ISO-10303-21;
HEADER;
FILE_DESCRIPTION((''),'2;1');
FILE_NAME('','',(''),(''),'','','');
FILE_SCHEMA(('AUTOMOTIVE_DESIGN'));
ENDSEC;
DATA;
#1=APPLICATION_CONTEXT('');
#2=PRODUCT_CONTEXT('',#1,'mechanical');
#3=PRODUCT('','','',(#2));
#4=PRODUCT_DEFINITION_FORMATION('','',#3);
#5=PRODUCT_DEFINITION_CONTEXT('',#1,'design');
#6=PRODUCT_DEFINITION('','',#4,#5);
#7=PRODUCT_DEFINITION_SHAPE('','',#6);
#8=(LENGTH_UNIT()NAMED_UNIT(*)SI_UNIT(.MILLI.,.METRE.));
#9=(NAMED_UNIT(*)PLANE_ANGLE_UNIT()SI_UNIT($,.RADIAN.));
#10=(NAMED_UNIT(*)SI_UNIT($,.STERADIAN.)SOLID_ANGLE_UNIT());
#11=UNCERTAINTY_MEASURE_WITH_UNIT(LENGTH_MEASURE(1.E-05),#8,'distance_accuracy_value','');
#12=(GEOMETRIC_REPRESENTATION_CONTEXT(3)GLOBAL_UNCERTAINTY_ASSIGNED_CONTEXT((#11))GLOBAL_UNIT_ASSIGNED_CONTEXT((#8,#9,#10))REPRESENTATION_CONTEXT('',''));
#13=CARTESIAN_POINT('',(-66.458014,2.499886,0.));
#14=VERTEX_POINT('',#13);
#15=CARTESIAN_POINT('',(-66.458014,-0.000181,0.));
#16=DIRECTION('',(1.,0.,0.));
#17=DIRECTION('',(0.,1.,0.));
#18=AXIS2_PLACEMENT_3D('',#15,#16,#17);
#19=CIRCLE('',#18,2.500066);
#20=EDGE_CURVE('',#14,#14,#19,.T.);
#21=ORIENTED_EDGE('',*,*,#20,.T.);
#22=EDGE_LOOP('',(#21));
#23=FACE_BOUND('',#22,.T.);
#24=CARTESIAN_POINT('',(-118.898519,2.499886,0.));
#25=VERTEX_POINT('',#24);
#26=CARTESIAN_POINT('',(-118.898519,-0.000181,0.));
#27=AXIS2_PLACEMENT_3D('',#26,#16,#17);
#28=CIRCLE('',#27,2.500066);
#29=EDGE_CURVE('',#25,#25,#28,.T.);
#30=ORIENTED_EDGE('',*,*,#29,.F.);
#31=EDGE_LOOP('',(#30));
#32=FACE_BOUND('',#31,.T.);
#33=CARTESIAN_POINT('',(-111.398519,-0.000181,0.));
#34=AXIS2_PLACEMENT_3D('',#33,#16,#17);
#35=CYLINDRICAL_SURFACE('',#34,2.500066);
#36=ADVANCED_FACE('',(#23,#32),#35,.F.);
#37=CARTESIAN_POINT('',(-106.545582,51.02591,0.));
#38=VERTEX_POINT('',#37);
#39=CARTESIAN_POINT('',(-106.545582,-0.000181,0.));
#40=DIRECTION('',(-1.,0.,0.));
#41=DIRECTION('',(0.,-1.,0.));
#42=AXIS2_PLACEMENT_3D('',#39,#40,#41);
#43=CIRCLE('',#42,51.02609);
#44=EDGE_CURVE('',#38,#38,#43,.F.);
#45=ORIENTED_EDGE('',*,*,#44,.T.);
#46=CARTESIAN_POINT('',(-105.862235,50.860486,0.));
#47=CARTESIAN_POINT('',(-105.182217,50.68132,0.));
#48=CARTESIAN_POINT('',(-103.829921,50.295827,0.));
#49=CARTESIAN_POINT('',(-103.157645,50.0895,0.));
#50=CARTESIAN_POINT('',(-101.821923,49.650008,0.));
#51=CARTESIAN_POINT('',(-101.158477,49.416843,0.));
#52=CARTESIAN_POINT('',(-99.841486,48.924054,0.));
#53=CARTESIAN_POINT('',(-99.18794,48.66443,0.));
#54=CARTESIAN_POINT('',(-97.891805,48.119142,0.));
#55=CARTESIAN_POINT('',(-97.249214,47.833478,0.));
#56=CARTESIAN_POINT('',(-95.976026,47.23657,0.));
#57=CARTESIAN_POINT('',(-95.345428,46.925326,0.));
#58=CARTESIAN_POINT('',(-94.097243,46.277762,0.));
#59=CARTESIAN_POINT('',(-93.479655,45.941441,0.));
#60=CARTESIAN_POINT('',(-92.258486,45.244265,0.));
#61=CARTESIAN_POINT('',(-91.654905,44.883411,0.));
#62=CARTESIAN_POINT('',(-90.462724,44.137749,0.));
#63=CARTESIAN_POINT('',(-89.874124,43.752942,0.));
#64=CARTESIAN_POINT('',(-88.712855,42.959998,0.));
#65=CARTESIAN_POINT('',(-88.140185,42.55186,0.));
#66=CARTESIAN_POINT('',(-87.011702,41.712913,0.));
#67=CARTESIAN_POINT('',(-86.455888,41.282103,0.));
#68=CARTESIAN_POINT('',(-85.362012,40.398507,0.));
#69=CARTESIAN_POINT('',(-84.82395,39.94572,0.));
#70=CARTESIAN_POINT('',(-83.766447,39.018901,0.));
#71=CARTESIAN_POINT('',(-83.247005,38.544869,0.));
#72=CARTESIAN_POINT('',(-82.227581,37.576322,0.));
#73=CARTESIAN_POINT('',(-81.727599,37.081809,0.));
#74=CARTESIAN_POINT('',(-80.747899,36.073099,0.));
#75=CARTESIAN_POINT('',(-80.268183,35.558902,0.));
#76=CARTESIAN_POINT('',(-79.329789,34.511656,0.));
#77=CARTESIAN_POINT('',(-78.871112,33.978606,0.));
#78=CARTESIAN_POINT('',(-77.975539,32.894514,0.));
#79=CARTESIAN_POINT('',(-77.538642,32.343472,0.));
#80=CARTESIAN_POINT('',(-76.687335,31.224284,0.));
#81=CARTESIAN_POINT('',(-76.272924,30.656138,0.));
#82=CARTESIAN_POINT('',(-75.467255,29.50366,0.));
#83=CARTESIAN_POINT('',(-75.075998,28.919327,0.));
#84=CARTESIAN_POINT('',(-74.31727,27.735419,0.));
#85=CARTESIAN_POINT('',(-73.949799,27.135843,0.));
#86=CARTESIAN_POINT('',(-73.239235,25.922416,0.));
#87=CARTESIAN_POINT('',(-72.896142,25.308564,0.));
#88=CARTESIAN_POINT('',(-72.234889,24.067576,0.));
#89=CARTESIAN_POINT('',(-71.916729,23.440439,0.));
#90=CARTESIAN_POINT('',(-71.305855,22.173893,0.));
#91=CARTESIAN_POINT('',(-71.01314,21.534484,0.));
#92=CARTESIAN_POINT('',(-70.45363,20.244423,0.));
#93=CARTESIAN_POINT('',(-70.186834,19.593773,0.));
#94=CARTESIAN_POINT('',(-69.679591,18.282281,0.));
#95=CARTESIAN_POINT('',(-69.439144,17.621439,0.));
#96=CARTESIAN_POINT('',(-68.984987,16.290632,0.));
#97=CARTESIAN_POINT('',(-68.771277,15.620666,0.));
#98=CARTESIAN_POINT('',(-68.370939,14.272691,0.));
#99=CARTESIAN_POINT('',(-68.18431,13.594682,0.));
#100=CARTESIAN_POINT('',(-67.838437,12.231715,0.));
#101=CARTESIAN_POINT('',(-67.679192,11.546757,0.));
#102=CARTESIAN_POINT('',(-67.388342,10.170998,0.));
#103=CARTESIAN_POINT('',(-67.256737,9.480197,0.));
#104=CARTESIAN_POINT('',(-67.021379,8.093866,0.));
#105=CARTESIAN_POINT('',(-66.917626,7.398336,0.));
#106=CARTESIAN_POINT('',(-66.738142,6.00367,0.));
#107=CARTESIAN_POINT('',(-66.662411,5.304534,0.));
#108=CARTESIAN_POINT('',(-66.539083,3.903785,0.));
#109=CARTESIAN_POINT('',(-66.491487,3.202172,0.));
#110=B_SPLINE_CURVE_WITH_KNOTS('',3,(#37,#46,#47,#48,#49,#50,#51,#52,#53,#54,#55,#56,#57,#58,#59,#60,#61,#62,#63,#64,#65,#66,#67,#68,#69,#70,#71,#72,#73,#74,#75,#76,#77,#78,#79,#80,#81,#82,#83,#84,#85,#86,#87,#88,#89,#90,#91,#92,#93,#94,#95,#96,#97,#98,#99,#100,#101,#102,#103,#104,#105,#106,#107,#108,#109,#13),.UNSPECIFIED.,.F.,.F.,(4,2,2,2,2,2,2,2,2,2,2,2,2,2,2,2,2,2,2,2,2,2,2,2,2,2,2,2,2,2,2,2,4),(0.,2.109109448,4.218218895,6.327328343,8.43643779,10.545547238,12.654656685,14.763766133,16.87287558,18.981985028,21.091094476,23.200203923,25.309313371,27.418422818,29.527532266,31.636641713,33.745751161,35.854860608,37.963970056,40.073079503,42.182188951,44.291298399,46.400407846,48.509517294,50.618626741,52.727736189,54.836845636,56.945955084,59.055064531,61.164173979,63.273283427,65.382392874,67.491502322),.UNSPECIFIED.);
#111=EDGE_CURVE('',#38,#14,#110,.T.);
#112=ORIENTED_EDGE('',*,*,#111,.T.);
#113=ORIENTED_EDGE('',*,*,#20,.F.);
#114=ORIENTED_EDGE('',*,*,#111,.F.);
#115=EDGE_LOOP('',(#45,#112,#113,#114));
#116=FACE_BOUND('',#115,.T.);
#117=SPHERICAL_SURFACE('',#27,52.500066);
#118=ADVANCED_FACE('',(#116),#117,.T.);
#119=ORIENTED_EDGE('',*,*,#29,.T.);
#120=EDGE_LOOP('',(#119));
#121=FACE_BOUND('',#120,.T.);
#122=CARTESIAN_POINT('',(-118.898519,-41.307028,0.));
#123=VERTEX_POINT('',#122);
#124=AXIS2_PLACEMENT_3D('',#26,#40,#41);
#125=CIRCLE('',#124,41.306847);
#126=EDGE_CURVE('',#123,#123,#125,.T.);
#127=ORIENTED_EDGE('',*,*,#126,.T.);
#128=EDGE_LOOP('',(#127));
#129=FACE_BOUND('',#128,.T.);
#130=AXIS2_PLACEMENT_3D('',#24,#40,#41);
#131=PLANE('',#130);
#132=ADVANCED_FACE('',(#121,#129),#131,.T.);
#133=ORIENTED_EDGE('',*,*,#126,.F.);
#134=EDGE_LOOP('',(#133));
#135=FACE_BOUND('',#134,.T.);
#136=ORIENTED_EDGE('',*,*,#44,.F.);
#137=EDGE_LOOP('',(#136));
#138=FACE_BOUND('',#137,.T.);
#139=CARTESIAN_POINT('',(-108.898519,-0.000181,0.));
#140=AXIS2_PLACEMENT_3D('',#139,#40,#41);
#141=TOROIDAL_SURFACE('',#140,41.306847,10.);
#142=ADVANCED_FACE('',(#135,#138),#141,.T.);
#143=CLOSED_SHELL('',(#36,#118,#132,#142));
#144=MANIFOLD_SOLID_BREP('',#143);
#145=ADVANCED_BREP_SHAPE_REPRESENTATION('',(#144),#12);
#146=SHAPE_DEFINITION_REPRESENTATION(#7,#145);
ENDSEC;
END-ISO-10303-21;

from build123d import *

# Parameters (mm, degrees)
FILLET1_R = 10


with BuildPart() as part:
    # Sketch1 → Revolve1 (revolve)
    with BuildSketch(Plane.XY):
        with BuildLine():
            Line((-66.458013888, 2.499885579), (-118.898519413, 2.499885579))
            Line((-118.898519413, 2.499885579), (-118.898519413, 52.499885579))
            ThreePointArc((-118.898519413, 52.499885579), (-82.670054707, 37.996599453), (-66.458013888, 2.499885579))
        make_face()
    revolve(axis=Axis((-111.398519413, -0.000180618, 0), (-1, 0, 0)))

    # Fillet1
    fillet1_edges = [part.edges().sort_by_distance(p)[0] for p in [
        (-118.898519413, -52.500246814, 0),
    ]]
    fillet(fillet1_edges, radius=FILLET1_R)


solid = part.part
